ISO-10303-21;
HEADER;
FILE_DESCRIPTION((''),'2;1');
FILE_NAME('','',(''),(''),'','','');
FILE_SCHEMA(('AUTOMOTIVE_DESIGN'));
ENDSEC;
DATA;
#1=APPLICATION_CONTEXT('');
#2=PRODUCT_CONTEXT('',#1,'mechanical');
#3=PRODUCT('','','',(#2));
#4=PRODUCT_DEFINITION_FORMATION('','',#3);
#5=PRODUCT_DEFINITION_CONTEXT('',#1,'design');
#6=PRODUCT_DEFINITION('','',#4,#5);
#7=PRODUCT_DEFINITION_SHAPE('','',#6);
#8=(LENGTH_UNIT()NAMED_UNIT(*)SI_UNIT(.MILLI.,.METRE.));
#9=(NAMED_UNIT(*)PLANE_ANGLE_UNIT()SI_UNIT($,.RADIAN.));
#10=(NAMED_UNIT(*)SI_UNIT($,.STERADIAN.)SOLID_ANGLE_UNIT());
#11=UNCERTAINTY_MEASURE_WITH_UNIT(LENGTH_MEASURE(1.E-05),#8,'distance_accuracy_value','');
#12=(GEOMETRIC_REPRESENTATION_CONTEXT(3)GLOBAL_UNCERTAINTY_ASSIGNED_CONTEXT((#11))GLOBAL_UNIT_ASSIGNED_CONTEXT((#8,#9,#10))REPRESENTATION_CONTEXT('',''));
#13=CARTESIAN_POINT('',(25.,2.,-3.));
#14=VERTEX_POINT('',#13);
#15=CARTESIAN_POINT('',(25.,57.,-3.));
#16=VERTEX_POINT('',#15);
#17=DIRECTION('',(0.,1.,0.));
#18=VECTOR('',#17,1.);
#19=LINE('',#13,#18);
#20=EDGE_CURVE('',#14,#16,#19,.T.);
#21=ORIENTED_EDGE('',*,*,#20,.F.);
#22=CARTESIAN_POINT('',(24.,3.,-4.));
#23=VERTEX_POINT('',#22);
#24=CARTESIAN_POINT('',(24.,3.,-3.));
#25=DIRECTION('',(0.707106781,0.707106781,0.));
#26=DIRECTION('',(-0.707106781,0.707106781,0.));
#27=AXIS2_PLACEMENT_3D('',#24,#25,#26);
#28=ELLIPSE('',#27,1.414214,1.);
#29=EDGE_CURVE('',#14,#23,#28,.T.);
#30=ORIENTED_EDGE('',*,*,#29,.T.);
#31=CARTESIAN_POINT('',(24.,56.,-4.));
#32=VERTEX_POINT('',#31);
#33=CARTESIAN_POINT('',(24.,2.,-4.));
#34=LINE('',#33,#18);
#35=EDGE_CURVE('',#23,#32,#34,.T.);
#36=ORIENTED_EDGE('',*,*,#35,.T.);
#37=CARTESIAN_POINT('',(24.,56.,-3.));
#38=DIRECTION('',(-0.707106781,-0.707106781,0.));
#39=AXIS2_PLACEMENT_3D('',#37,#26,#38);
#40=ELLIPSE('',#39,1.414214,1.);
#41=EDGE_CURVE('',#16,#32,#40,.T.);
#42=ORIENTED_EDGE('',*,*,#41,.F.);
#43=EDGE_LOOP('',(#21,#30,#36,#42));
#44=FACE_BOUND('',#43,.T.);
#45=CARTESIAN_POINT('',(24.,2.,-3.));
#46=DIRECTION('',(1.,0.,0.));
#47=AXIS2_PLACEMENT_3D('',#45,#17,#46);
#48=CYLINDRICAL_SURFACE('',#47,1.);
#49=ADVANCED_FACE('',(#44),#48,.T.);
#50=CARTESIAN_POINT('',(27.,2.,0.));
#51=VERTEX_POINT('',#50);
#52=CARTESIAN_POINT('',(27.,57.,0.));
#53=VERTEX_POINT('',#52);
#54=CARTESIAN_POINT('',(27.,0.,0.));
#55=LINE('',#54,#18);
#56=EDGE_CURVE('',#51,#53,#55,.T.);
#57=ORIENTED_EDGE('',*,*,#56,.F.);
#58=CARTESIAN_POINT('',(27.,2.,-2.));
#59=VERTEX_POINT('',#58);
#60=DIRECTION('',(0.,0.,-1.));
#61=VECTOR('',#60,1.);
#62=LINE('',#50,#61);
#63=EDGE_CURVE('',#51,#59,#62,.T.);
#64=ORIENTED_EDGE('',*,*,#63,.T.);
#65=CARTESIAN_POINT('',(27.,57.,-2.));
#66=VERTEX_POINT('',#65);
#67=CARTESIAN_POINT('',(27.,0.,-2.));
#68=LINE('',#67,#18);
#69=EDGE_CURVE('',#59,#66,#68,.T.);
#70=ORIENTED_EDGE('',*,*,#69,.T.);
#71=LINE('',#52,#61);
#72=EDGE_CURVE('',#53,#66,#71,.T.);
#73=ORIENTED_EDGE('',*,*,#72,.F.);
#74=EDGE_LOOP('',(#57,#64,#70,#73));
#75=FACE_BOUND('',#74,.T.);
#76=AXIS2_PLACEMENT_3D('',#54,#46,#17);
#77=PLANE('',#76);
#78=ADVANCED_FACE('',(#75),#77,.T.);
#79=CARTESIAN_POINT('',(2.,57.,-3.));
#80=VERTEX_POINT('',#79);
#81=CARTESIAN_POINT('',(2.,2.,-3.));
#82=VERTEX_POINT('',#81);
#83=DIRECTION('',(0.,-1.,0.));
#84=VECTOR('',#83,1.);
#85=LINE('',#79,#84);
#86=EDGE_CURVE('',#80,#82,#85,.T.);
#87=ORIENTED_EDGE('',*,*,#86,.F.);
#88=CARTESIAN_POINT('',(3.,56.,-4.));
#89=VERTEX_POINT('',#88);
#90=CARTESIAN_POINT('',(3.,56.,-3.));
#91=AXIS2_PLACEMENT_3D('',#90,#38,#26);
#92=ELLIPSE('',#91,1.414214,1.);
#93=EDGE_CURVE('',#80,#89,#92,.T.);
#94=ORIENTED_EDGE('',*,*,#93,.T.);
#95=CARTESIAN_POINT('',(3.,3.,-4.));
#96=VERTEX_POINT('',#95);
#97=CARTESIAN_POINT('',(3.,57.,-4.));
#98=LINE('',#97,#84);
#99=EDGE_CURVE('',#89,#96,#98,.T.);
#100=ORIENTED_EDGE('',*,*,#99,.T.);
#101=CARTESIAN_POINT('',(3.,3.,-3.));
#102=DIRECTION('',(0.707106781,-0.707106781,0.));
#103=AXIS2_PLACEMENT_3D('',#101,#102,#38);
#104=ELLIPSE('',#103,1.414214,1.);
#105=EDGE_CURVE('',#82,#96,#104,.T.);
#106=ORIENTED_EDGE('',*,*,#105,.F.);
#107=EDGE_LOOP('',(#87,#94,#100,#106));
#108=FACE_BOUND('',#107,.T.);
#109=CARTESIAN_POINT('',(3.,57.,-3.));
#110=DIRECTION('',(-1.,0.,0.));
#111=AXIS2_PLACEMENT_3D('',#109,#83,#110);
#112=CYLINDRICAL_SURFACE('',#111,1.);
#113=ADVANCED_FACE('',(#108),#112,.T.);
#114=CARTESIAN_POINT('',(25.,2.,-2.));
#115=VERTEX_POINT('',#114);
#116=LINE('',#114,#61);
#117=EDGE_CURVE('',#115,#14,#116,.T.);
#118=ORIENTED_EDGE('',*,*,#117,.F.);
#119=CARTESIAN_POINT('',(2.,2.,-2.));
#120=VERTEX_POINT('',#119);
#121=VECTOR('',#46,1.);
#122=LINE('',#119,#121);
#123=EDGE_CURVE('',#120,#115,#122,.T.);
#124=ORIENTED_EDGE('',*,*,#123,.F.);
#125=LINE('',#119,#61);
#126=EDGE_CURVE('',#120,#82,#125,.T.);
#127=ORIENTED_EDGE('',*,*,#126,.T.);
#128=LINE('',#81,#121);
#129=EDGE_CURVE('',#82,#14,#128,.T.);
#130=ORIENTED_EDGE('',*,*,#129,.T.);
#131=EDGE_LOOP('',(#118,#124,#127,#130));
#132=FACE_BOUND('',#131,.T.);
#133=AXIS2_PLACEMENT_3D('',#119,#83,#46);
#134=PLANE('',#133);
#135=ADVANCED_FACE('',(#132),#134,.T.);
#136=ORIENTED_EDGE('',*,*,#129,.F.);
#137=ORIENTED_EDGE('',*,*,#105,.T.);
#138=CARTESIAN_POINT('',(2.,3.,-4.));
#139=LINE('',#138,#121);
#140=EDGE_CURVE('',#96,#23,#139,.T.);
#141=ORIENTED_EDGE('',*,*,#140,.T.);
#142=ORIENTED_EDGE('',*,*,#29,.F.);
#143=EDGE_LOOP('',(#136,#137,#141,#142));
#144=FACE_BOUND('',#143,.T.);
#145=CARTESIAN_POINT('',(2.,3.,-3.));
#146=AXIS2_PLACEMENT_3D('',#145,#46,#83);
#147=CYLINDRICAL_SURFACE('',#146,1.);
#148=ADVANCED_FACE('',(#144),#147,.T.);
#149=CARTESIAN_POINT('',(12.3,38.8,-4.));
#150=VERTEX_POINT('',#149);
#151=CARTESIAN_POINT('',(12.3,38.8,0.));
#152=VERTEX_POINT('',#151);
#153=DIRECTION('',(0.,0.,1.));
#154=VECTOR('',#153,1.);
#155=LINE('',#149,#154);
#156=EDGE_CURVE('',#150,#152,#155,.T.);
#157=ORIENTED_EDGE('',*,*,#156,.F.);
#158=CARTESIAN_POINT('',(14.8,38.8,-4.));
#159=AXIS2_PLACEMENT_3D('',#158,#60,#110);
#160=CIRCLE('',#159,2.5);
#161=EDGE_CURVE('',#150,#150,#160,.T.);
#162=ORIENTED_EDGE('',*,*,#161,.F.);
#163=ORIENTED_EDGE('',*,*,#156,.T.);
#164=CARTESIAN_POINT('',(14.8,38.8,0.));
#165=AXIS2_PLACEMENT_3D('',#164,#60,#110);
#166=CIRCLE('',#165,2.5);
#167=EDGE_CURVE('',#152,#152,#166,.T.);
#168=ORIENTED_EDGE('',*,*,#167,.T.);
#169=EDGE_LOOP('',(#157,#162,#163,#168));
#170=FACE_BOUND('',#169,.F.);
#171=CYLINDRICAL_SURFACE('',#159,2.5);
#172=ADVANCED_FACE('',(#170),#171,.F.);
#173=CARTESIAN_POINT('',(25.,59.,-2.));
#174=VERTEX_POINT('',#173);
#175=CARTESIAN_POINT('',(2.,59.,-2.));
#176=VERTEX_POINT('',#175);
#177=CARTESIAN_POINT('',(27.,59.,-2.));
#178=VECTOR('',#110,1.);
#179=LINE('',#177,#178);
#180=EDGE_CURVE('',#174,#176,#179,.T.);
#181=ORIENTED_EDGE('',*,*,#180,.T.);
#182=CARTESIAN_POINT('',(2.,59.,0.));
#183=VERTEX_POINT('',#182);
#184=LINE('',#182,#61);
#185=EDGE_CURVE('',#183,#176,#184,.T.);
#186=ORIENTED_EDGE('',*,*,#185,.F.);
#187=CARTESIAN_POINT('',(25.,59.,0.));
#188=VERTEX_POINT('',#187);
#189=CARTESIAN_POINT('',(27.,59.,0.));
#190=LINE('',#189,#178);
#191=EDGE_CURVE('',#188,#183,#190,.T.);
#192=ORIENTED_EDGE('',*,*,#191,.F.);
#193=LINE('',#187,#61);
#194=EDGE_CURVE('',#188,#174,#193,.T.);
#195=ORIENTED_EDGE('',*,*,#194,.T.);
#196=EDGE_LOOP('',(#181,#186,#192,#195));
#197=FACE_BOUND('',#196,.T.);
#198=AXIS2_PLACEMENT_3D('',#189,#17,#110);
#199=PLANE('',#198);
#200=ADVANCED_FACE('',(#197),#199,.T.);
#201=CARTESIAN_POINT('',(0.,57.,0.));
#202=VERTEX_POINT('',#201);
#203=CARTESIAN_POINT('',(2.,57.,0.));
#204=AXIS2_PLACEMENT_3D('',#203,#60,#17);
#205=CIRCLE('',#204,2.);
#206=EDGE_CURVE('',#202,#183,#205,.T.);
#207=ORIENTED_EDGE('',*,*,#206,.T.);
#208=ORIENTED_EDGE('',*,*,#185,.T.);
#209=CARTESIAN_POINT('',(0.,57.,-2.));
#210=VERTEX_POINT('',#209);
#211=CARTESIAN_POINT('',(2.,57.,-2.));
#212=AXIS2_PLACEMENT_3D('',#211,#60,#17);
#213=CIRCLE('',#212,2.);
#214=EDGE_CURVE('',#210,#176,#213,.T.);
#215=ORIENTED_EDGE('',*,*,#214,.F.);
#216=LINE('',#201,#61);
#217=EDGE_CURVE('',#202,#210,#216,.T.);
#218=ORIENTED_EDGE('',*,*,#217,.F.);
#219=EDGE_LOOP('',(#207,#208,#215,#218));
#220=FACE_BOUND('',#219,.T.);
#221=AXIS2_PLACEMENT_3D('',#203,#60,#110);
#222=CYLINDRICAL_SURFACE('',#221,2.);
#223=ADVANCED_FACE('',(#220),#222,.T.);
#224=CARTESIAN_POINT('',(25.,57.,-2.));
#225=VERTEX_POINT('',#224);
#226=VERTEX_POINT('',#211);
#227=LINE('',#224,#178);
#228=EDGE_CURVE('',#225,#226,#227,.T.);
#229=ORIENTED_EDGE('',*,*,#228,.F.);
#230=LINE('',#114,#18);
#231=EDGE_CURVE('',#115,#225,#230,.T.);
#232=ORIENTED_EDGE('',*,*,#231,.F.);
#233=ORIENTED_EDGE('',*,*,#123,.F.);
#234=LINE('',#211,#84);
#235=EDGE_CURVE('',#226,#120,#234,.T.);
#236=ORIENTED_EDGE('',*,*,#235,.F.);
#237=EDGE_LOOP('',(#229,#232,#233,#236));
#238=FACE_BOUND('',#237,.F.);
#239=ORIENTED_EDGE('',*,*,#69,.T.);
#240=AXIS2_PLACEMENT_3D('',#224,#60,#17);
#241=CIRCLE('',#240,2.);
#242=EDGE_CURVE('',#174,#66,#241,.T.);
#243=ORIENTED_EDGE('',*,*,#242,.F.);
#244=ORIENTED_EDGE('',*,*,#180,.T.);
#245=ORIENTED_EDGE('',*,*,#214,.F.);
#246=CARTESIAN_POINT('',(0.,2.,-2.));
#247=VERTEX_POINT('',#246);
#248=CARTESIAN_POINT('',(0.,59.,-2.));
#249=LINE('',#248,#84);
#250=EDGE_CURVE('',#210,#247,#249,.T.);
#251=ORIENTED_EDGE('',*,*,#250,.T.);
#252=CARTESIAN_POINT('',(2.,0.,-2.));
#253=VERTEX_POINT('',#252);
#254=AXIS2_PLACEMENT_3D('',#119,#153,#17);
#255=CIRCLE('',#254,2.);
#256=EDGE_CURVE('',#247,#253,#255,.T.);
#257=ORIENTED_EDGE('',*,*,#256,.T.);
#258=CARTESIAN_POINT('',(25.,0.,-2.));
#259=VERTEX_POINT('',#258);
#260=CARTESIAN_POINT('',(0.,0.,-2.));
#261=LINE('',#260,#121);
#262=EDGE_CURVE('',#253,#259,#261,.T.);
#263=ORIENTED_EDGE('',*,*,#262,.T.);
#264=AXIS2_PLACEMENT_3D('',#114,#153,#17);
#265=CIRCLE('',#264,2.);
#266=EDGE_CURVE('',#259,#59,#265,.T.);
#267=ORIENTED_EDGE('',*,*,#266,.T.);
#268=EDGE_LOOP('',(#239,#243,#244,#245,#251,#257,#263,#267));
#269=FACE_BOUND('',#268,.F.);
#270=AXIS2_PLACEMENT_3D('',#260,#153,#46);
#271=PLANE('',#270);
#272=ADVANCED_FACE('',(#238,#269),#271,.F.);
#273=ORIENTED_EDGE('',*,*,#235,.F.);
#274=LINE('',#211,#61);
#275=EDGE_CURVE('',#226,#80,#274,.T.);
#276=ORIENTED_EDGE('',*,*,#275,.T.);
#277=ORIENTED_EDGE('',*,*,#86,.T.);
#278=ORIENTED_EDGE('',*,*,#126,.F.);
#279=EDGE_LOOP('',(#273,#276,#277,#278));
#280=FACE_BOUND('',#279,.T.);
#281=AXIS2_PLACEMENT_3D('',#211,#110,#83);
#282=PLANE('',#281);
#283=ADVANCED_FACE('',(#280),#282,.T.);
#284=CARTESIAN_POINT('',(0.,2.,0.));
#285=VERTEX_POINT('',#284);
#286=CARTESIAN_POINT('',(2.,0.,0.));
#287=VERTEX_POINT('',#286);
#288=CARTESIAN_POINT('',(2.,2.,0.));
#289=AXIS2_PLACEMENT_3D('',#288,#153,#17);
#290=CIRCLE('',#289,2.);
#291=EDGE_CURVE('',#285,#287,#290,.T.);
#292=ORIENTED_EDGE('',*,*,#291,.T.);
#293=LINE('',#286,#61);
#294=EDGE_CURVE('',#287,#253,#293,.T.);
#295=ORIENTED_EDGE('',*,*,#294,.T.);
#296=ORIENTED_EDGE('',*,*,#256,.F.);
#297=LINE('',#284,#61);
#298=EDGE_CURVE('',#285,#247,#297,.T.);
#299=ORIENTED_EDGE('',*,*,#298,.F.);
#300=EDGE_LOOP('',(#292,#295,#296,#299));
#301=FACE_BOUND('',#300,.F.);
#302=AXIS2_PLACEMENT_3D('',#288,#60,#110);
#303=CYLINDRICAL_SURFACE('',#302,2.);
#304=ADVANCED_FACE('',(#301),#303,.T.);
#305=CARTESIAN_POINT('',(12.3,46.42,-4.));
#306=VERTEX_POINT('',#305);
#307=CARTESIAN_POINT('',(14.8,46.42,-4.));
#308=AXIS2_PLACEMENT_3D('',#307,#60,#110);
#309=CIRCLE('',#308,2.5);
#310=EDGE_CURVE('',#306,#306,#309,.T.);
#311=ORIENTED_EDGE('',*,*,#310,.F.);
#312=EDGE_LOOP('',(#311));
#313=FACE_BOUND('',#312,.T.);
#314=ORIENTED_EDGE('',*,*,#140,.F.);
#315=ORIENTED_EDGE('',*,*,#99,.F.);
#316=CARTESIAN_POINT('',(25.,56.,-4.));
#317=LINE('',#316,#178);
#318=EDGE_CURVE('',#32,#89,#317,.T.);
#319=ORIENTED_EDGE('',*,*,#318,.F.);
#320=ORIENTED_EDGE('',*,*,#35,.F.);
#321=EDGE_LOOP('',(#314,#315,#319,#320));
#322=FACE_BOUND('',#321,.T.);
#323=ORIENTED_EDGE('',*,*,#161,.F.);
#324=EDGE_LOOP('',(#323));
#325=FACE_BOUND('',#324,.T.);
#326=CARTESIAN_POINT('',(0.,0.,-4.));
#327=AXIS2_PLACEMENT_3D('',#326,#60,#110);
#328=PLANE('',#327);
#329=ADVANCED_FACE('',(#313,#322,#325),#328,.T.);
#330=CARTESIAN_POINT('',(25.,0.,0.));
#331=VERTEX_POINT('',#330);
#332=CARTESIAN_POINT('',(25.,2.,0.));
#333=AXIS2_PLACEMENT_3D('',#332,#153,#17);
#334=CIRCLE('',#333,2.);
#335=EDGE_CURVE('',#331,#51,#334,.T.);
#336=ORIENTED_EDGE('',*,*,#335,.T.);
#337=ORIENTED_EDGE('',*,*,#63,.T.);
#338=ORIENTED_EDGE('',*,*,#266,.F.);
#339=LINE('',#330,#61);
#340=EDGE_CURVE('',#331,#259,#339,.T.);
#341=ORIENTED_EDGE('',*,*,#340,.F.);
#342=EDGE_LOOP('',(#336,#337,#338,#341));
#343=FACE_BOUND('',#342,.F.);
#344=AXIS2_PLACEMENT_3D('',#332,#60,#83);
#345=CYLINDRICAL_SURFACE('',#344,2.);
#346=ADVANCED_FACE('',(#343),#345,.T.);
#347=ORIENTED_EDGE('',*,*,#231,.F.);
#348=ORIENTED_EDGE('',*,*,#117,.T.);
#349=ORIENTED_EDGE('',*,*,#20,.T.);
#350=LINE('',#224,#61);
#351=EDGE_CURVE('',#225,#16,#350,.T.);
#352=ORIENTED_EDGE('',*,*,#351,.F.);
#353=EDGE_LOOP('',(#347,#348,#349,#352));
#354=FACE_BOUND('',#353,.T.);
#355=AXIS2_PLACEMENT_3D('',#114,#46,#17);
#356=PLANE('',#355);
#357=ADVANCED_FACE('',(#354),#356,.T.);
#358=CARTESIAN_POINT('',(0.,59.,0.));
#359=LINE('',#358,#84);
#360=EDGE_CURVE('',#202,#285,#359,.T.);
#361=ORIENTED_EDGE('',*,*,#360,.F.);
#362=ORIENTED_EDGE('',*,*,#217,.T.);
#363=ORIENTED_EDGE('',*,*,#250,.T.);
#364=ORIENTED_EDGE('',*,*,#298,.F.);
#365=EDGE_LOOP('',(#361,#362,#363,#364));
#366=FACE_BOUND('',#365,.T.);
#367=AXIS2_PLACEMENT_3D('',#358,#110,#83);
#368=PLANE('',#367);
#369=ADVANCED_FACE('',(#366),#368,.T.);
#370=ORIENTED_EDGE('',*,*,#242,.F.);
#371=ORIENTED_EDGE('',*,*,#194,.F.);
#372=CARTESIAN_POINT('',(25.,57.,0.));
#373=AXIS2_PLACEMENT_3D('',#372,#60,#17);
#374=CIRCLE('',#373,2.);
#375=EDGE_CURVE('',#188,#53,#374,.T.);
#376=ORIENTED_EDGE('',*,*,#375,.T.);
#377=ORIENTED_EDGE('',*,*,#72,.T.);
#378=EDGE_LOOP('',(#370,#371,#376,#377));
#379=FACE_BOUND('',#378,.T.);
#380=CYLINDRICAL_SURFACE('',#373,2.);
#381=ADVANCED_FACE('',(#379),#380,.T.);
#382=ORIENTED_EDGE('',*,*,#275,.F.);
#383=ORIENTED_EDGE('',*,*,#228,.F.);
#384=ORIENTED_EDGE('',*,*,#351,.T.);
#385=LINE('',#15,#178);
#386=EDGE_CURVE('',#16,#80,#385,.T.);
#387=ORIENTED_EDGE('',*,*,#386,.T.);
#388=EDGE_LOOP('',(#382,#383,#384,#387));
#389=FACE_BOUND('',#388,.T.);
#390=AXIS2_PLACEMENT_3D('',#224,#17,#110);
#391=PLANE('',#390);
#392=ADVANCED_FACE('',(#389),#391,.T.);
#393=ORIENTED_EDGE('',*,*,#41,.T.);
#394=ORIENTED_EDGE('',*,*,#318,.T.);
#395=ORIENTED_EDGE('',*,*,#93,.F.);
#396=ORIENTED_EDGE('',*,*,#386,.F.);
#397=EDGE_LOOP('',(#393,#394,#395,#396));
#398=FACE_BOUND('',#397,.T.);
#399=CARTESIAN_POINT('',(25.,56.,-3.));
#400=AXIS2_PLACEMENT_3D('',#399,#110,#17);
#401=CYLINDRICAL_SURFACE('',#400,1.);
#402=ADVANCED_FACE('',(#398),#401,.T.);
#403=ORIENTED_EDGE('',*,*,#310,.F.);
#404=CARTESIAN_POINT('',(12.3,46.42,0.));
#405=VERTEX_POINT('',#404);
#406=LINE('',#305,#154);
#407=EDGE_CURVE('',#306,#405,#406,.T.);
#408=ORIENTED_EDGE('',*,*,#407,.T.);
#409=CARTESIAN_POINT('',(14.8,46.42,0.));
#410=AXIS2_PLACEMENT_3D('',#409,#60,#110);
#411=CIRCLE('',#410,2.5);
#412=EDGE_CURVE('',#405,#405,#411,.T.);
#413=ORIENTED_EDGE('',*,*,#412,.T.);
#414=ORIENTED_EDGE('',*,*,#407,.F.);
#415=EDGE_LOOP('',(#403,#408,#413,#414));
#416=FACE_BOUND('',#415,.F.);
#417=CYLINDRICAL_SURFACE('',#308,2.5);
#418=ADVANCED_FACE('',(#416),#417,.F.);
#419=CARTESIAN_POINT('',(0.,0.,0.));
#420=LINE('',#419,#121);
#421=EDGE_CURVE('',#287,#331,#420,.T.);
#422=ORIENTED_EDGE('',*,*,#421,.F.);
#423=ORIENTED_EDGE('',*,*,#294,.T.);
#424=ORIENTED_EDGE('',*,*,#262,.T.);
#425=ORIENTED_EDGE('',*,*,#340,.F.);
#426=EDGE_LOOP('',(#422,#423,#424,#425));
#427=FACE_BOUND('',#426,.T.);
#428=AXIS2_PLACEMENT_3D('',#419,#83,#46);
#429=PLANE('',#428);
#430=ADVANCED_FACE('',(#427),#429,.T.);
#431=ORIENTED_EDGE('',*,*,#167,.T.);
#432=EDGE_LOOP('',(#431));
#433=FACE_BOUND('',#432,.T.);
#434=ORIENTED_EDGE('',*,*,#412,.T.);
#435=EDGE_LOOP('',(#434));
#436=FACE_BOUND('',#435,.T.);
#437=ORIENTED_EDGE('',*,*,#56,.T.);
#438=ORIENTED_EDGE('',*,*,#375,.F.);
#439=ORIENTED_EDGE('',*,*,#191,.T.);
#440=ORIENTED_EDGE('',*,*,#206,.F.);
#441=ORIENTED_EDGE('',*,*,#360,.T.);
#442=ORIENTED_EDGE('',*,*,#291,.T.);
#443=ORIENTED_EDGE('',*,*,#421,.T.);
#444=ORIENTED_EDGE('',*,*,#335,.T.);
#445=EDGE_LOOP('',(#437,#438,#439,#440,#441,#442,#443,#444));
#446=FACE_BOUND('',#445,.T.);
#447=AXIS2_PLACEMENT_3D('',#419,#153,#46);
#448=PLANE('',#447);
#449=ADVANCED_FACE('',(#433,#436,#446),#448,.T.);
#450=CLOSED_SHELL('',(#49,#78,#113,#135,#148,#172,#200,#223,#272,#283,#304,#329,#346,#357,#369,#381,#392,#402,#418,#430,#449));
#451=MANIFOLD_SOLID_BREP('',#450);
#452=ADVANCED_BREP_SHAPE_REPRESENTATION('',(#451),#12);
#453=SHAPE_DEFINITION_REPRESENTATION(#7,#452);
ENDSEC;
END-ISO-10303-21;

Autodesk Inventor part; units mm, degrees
ref_plane "YZ Plane" through (0, 0, 0) normal (1, 0, 0) x (0, 1, 0)
ref_plane "XZ Plane" through (0, 0, 0) normal (0, 1, 0) x (-1, 0, 0)
ref_plane "XY Plane" through (0, 0, 0) normal (0, 0, 1) x (1, 0, 0)
sketch "Skizze1" plane through (0, 0, 0) normal (0, 0, 1) x (1, 0, 0)
  line L0 (0, 0) -> (27, 0)
  line L1 (27, 0) -> (27, 59)
  line L2 (27, 59) -> (0, 59)
  line L3 (0, 59) -> (0, 0)
  dimension "d0" = 27
  dimension "d1" = 59
extrude "Extrusion1" add sketch "Skizze1" against normal blind 2
sketch "Skizze2" plane through (0, 0, -2) normal (0, 0, -1) x (-1, 0, 0)
  line L0 (-2, 2) -> (-25, 2)
  line L1 (-25, 2) -> (-25, 57)
  line L2 (-25, 57) -> (-2, 57)
  line L3 (-2, 57) -> (-2, 2)
  line L4 (0, 0) -> (0, 59) construction
  line L5 (-27, 0) -> (0, 0) construction
  point P0 (-2, 29.5)
  point P1 (0, 29.5)
  point P2 (-13.5, 2)
  point P3 (-13.5, 0)
  dimension "d4" = 2
  dimension "d5" = 2
extrude "Extrusion2" add sketch "Skizze2" along normal blind 2
sketch "Skizze3" plane through (0, 0, -4) normal (0, 0, -1) x (-1, 0, 0)
  circle A0 centre (-14.8, 38.8) radius 2.5
  line L0 (-27, 0) -> (0, 0) projected
  line L1 (-2, 2) -> (-2, 57) projected
  line L2 (-25, 57) -> (-25, 2) projected
  circle A1 centre (-14.8, 46.42) radius 2.5
  dimension "d8" = 5
  dimension "d9" = 38.8
  dimension "d11" = 10.2
  dimension "d12" = 5
  dimension "d13" = 7.62
extrude "Extrusion3" cut sketch "Skizze3" against normal through all
fillet "Rundung1" radius 1 4 edges at (13.5, 57, -4) (25, 29.5, -4) (2, 29.5, -4) (13.5, 2, -4)
fillet "Rundung2" radius 2 4 edges at (0, 59, -1) (0, 0, -1) (27, 59, -1) (27, 0, -1)
properties part number "top"
